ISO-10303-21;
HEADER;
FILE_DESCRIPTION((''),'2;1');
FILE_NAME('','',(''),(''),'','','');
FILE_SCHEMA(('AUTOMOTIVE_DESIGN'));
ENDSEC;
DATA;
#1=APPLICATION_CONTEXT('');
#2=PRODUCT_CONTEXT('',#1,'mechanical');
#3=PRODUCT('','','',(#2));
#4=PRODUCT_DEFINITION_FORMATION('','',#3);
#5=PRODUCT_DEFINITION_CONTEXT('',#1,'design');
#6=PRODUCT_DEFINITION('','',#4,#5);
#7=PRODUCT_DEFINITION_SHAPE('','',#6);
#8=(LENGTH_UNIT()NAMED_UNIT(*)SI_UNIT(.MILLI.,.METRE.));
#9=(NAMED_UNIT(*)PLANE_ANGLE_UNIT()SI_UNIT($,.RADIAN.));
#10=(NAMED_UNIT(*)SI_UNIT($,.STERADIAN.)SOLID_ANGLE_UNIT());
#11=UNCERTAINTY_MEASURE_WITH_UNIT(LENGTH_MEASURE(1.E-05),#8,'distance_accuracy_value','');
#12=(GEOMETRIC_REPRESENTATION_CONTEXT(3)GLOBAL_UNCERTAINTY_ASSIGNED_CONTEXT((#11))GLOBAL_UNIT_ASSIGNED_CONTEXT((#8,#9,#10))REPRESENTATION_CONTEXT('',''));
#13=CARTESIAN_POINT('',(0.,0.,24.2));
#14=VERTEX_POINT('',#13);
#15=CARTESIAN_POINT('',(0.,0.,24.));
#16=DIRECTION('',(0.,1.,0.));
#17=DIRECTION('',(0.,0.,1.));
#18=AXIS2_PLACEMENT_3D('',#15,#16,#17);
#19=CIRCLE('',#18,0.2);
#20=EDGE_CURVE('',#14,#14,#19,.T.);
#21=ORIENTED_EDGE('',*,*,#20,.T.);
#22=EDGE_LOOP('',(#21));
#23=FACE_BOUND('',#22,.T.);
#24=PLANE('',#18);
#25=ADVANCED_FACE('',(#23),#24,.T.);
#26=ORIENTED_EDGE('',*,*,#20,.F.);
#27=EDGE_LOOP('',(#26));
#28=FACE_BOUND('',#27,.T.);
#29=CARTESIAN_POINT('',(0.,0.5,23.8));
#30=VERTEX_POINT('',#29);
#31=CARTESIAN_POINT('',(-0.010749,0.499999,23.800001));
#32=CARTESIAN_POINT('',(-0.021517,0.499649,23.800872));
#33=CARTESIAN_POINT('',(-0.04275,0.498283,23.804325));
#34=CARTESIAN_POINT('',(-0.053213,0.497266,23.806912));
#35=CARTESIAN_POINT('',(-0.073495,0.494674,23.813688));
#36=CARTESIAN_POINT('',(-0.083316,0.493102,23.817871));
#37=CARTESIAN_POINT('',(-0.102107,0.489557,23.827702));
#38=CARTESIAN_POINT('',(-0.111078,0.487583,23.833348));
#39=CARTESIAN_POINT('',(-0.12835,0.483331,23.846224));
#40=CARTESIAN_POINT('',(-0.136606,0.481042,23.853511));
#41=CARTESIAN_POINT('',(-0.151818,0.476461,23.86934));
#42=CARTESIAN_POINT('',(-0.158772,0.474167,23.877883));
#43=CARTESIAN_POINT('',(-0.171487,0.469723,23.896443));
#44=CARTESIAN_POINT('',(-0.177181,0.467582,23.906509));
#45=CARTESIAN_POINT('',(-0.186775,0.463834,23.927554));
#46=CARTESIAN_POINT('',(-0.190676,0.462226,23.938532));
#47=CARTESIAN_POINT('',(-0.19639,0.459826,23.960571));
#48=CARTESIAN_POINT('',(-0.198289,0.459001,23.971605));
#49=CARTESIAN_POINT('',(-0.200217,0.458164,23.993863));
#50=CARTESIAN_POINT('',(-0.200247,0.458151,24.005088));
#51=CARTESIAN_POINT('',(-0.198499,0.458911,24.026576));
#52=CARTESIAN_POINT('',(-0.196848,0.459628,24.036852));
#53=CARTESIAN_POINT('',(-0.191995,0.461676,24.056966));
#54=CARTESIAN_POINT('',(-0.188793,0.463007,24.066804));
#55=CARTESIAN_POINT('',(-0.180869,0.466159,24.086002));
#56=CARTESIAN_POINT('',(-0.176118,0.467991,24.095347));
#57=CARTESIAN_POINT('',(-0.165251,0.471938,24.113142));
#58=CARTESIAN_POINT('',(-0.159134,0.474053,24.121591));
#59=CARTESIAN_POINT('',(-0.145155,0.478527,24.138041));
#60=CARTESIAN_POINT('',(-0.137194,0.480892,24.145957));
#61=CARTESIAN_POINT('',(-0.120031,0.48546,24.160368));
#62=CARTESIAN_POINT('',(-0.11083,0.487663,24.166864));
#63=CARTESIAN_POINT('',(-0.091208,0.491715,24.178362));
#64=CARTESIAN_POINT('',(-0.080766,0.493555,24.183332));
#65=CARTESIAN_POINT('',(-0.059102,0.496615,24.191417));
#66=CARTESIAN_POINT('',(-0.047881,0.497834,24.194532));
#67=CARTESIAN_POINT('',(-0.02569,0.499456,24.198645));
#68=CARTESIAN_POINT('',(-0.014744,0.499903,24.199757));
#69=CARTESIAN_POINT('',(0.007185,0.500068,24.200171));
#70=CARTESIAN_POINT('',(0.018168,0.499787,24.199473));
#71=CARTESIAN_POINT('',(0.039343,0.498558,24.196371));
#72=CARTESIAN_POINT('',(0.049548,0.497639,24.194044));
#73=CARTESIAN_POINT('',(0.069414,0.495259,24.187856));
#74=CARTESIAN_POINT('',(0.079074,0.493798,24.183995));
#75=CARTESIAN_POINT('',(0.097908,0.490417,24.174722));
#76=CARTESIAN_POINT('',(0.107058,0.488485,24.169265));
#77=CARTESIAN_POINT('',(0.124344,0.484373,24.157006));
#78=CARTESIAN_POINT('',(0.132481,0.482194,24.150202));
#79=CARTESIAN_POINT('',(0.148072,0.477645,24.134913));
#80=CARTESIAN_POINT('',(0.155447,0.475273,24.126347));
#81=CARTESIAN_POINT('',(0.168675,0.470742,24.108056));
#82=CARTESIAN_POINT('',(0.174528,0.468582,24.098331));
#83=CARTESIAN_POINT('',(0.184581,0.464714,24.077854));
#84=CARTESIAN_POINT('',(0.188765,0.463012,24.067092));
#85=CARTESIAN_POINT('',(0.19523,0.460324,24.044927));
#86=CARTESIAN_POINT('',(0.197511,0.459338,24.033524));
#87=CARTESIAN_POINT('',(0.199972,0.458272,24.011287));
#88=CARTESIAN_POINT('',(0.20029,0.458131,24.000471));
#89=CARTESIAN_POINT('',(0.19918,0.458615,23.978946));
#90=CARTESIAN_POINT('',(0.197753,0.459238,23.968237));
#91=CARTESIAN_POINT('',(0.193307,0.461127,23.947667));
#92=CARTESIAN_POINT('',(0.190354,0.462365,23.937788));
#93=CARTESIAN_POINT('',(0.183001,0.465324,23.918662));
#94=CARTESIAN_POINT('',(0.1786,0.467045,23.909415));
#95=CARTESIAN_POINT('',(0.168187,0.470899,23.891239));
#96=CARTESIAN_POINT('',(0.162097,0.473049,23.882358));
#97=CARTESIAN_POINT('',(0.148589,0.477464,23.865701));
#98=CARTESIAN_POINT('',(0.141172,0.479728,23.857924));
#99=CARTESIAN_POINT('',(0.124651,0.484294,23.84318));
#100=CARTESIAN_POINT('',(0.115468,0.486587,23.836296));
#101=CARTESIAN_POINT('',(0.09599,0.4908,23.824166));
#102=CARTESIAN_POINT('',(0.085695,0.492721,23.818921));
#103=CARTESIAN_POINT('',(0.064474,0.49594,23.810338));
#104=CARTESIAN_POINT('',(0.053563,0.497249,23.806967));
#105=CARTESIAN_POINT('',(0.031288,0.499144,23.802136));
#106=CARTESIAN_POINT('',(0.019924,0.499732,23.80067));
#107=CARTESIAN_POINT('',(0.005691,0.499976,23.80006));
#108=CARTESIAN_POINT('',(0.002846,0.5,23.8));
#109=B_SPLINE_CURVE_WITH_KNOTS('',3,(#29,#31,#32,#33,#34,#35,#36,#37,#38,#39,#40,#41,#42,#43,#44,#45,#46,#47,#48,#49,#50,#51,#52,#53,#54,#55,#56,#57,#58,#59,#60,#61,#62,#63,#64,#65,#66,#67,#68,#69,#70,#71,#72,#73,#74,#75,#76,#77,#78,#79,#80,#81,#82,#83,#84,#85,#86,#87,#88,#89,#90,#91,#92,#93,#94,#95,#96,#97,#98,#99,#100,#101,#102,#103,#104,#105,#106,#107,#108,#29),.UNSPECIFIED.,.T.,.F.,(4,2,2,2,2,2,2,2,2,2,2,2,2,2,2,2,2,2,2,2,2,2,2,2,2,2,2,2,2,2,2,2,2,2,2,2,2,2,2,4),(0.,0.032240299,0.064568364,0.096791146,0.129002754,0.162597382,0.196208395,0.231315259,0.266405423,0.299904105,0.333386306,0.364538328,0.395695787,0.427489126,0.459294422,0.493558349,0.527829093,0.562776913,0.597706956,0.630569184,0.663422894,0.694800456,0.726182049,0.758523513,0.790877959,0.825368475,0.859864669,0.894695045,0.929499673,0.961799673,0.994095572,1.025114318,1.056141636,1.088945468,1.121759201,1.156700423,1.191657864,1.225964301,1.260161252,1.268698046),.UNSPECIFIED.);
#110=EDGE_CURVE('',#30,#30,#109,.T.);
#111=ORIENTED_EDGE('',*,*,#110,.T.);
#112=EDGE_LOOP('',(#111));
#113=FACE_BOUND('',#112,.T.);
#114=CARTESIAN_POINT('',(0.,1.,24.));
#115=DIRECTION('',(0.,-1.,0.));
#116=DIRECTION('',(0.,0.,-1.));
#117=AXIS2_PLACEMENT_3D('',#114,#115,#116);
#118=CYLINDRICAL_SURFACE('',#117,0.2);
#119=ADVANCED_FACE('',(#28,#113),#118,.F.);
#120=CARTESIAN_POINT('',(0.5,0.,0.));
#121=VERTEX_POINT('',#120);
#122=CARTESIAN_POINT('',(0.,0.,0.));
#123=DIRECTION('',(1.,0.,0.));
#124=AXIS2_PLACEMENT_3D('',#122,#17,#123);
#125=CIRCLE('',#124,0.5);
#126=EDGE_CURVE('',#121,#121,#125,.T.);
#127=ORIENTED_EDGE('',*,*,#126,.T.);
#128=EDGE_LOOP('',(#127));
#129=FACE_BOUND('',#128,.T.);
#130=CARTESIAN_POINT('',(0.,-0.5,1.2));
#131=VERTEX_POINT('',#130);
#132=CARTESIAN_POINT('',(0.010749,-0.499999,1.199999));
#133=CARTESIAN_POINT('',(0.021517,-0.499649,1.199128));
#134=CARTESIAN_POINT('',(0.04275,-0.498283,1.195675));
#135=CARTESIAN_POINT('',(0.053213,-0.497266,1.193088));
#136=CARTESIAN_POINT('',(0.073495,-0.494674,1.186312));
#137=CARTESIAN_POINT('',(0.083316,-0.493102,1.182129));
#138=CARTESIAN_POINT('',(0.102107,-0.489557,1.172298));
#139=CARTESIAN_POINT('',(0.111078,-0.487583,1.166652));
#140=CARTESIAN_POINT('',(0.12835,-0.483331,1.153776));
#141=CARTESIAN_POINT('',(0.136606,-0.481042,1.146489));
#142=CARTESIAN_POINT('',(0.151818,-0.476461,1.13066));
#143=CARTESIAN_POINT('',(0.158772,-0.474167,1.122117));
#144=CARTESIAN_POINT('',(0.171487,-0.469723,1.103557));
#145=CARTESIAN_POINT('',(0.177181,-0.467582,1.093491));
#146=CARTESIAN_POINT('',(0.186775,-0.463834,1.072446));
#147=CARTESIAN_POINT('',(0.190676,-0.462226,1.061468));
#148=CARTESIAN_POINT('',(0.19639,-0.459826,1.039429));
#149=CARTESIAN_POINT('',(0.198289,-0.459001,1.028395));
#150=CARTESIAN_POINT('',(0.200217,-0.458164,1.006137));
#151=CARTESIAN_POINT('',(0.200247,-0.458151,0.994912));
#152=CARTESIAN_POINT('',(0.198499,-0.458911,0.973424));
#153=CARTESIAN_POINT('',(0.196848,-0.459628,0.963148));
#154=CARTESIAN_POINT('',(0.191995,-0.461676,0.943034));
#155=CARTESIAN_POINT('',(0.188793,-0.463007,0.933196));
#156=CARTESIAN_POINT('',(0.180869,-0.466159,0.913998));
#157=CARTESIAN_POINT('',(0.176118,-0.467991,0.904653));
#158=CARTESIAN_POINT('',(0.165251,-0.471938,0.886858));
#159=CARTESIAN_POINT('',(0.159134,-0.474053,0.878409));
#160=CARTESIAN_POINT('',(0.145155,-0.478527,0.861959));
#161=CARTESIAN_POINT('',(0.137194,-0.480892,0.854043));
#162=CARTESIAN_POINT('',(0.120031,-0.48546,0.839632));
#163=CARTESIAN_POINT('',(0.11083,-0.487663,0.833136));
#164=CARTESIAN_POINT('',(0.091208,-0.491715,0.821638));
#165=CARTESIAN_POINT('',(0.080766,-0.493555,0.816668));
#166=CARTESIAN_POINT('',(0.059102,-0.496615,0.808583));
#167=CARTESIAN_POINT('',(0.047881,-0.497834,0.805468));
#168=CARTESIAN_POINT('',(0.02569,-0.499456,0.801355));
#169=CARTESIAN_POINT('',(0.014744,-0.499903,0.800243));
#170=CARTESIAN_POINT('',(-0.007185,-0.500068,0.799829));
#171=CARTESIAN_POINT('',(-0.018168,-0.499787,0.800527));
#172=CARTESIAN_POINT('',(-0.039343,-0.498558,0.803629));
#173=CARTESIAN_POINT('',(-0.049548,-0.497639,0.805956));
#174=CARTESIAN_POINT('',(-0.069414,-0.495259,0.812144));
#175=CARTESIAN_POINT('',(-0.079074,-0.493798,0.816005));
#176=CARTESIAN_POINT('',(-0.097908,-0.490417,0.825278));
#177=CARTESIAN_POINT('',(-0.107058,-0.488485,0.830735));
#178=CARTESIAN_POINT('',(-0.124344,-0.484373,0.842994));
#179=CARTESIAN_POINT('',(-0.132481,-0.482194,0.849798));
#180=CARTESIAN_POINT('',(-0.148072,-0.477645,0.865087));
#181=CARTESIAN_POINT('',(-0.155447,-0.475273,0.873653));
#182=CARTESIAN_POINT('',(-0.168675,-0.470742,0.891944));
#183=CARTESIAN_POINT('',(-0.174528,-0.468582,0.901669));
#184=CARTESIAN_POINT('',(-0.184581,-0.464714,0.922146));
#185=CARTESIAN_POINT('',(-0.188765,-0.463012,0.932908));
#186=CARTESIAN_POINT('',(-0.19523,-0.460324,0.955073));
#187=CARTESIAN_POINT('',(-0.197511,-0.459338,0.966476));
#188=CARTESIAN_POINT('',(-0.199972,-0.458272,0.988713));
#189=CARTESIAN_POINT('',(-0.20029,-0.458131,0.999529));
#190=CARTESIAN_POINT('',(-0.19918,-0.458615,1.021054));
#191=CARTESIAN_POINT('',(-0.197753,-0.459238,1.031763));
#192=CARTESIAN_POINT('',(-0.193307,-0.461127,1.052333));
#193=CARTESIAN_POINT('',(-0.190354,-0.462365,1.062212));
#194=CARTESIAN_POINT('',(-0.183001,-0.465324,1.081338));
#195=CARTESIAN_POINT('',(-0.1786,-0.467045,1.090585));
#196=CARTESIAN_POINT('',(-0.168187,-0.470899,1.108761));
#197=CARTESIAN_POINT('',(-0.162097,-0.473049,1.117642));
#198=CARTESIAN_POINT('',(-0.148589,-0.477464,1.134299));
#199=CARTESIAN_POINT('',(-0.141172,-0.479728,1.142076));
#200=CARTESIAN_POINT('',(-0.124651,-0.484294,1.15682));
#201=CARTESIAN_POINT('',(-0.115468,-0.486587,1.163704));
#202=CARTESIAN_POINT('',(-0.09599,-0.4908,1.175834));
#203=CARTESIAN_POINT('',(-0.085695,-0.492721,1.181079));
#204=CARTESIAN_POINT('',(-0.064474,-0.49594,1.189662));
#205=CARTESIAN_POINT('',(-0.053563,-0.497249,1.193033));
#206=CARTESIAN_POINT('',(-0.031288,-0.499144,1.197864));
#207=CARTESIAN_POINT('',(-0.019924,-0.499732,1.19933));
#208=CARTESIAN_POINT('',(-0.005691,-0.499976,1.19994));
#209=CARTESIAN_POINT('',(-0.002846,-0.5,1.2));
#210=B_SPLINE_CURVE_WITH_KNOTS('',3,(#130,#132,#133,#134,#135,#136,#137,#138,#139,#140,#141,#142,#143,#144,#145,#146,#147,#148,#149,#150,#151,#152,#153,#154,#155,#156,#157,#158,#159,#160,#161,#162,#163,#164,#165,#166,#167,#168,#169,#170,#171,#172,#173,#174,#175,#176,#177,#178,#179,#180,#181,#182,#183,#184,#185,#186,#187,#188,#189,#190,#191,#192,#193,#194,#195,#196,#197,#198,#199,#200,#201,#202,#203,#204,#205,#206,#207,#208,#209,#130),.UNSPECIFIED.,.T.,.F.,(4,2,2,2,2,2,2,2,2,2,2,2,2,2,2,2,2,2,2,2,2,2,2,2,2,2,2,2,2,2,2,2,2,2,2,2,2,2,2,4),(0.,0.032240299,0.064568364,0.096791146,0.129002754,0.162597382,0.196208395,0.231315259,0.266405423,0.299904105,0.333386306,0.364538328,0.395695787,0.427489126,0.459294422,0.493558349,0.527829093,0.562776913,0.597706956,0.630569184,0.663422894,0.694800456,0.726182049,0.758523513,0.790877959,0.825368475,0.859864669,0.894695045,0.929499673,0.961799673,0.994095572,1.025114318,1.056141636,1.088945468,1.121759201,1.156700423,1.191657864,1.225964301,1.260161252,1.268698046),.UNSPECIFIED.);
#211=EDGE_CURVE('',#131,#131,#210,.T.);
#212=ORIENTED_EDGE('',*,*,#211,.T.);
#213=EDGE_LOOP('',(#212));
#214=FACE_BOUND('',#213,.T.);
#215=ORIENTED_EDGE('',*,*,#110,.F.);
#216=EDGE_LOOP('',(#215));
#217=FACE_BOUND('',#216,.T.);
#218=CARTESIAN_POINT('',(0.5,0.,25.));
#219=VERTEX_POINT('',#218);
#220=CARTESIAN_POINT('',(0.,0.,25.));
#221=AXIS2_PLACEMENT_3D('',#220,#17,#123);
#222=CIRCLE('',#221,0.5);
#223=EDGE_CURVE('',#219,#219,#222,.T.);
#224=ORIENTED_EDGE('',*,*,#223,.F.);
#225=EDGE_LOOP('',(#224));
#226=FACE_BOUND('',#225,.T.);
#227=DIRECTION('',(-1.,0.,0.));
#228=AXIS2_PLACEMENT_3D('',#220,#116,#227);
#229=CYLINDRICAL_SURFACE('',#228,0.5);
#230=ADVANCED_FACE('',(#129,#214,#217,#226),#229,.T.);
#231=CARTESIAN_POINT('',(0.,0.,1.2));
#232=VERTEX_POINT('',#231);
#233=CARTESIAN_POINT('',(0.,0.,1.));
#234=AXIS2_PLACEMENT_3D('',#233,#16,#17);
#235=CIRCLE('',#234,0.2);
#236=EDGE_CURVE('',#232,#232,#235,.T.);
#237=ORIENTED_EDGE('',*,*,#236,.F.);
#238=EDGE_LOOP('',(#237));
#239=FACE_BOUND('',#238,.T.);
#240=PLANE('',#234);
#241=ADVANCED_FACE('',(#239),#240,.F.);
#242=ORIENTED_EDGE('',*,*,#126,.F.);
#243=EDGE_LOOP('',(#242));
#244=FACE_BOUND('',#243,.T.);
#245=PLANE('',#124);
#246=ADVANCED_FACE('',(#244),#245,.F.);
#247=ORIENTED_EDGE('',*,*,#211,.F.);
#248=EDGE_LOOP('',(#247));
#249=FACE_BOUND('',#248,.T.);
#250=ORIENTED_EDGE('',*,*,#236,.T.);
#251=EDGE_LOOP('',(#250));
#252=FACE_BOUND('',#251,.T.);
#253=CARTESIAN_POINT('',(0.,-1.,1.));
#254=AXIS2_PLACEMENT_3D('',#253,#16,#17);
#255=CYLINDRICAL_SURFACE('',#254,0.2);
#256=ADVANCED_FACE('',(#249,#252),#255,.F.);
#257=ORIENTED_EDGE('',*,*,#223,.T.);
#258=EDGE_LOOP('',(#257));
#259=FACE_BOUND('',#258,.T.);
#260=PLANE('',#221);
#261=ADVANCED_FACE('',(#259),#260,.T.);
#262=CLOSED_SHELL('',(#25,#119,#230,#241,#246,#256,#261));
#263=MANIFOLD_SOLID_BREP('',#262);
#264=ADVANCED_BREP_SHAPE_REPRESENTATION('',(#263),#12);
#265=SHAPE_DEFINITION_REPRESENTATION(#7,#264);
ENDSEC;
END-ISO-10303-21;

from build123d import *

# Parameters (mm, degrees)
ESQUISSE1_R             = 0.5
BOSS_EXTRU_1_DEPTH      = 25
ESQUISSE3_R             = 0.2
ENL_V_MAT_EXTRU_3_DEPTH = 1
ESQUISSE4_R             = 0.2
ENL_V_MAT_EXTRU_4_DEPTH = 1


with BuildPart() as part:
    # Esquisse1 → Boss.-Extru.1 (new body)
    with BuildSketch(Plane.XY):
        Circle(ESQUISSE1_R)
    extrude(amount=BOSS_EXTRU_1_DEPTH)

    # Esquisse3 → Enlèv. mat.-Extru.3 (cut)
    with BuildSketch(Plane(origin=(0, 0, 0), x_dir=(1, 0, 0), z_dir=(0, 1, 0))):
        with Locations((0, -1)):
            Circle(ESQUISSE3_R)
    extrude(amount=-ENL_V_MAT_EXTRU_3_DEPTH, mode=Mode.SUBTRACT)

    # Esquisse4 → Enlèv. mat.-Extru.4 (cut)
    with BuildSketch(Plane(origin=(0, 0, 0), x_dir=(1, 0, 0), z_dir=(0, 1, 0))):
        with Locations((0, -24)):
            Circle(ESQUISSE4_R)
    extrude(amount=ENL_V_MAT_EXTRU_4_DEPTH, mode=Mode.SUBTRACT)


solid = part.part
